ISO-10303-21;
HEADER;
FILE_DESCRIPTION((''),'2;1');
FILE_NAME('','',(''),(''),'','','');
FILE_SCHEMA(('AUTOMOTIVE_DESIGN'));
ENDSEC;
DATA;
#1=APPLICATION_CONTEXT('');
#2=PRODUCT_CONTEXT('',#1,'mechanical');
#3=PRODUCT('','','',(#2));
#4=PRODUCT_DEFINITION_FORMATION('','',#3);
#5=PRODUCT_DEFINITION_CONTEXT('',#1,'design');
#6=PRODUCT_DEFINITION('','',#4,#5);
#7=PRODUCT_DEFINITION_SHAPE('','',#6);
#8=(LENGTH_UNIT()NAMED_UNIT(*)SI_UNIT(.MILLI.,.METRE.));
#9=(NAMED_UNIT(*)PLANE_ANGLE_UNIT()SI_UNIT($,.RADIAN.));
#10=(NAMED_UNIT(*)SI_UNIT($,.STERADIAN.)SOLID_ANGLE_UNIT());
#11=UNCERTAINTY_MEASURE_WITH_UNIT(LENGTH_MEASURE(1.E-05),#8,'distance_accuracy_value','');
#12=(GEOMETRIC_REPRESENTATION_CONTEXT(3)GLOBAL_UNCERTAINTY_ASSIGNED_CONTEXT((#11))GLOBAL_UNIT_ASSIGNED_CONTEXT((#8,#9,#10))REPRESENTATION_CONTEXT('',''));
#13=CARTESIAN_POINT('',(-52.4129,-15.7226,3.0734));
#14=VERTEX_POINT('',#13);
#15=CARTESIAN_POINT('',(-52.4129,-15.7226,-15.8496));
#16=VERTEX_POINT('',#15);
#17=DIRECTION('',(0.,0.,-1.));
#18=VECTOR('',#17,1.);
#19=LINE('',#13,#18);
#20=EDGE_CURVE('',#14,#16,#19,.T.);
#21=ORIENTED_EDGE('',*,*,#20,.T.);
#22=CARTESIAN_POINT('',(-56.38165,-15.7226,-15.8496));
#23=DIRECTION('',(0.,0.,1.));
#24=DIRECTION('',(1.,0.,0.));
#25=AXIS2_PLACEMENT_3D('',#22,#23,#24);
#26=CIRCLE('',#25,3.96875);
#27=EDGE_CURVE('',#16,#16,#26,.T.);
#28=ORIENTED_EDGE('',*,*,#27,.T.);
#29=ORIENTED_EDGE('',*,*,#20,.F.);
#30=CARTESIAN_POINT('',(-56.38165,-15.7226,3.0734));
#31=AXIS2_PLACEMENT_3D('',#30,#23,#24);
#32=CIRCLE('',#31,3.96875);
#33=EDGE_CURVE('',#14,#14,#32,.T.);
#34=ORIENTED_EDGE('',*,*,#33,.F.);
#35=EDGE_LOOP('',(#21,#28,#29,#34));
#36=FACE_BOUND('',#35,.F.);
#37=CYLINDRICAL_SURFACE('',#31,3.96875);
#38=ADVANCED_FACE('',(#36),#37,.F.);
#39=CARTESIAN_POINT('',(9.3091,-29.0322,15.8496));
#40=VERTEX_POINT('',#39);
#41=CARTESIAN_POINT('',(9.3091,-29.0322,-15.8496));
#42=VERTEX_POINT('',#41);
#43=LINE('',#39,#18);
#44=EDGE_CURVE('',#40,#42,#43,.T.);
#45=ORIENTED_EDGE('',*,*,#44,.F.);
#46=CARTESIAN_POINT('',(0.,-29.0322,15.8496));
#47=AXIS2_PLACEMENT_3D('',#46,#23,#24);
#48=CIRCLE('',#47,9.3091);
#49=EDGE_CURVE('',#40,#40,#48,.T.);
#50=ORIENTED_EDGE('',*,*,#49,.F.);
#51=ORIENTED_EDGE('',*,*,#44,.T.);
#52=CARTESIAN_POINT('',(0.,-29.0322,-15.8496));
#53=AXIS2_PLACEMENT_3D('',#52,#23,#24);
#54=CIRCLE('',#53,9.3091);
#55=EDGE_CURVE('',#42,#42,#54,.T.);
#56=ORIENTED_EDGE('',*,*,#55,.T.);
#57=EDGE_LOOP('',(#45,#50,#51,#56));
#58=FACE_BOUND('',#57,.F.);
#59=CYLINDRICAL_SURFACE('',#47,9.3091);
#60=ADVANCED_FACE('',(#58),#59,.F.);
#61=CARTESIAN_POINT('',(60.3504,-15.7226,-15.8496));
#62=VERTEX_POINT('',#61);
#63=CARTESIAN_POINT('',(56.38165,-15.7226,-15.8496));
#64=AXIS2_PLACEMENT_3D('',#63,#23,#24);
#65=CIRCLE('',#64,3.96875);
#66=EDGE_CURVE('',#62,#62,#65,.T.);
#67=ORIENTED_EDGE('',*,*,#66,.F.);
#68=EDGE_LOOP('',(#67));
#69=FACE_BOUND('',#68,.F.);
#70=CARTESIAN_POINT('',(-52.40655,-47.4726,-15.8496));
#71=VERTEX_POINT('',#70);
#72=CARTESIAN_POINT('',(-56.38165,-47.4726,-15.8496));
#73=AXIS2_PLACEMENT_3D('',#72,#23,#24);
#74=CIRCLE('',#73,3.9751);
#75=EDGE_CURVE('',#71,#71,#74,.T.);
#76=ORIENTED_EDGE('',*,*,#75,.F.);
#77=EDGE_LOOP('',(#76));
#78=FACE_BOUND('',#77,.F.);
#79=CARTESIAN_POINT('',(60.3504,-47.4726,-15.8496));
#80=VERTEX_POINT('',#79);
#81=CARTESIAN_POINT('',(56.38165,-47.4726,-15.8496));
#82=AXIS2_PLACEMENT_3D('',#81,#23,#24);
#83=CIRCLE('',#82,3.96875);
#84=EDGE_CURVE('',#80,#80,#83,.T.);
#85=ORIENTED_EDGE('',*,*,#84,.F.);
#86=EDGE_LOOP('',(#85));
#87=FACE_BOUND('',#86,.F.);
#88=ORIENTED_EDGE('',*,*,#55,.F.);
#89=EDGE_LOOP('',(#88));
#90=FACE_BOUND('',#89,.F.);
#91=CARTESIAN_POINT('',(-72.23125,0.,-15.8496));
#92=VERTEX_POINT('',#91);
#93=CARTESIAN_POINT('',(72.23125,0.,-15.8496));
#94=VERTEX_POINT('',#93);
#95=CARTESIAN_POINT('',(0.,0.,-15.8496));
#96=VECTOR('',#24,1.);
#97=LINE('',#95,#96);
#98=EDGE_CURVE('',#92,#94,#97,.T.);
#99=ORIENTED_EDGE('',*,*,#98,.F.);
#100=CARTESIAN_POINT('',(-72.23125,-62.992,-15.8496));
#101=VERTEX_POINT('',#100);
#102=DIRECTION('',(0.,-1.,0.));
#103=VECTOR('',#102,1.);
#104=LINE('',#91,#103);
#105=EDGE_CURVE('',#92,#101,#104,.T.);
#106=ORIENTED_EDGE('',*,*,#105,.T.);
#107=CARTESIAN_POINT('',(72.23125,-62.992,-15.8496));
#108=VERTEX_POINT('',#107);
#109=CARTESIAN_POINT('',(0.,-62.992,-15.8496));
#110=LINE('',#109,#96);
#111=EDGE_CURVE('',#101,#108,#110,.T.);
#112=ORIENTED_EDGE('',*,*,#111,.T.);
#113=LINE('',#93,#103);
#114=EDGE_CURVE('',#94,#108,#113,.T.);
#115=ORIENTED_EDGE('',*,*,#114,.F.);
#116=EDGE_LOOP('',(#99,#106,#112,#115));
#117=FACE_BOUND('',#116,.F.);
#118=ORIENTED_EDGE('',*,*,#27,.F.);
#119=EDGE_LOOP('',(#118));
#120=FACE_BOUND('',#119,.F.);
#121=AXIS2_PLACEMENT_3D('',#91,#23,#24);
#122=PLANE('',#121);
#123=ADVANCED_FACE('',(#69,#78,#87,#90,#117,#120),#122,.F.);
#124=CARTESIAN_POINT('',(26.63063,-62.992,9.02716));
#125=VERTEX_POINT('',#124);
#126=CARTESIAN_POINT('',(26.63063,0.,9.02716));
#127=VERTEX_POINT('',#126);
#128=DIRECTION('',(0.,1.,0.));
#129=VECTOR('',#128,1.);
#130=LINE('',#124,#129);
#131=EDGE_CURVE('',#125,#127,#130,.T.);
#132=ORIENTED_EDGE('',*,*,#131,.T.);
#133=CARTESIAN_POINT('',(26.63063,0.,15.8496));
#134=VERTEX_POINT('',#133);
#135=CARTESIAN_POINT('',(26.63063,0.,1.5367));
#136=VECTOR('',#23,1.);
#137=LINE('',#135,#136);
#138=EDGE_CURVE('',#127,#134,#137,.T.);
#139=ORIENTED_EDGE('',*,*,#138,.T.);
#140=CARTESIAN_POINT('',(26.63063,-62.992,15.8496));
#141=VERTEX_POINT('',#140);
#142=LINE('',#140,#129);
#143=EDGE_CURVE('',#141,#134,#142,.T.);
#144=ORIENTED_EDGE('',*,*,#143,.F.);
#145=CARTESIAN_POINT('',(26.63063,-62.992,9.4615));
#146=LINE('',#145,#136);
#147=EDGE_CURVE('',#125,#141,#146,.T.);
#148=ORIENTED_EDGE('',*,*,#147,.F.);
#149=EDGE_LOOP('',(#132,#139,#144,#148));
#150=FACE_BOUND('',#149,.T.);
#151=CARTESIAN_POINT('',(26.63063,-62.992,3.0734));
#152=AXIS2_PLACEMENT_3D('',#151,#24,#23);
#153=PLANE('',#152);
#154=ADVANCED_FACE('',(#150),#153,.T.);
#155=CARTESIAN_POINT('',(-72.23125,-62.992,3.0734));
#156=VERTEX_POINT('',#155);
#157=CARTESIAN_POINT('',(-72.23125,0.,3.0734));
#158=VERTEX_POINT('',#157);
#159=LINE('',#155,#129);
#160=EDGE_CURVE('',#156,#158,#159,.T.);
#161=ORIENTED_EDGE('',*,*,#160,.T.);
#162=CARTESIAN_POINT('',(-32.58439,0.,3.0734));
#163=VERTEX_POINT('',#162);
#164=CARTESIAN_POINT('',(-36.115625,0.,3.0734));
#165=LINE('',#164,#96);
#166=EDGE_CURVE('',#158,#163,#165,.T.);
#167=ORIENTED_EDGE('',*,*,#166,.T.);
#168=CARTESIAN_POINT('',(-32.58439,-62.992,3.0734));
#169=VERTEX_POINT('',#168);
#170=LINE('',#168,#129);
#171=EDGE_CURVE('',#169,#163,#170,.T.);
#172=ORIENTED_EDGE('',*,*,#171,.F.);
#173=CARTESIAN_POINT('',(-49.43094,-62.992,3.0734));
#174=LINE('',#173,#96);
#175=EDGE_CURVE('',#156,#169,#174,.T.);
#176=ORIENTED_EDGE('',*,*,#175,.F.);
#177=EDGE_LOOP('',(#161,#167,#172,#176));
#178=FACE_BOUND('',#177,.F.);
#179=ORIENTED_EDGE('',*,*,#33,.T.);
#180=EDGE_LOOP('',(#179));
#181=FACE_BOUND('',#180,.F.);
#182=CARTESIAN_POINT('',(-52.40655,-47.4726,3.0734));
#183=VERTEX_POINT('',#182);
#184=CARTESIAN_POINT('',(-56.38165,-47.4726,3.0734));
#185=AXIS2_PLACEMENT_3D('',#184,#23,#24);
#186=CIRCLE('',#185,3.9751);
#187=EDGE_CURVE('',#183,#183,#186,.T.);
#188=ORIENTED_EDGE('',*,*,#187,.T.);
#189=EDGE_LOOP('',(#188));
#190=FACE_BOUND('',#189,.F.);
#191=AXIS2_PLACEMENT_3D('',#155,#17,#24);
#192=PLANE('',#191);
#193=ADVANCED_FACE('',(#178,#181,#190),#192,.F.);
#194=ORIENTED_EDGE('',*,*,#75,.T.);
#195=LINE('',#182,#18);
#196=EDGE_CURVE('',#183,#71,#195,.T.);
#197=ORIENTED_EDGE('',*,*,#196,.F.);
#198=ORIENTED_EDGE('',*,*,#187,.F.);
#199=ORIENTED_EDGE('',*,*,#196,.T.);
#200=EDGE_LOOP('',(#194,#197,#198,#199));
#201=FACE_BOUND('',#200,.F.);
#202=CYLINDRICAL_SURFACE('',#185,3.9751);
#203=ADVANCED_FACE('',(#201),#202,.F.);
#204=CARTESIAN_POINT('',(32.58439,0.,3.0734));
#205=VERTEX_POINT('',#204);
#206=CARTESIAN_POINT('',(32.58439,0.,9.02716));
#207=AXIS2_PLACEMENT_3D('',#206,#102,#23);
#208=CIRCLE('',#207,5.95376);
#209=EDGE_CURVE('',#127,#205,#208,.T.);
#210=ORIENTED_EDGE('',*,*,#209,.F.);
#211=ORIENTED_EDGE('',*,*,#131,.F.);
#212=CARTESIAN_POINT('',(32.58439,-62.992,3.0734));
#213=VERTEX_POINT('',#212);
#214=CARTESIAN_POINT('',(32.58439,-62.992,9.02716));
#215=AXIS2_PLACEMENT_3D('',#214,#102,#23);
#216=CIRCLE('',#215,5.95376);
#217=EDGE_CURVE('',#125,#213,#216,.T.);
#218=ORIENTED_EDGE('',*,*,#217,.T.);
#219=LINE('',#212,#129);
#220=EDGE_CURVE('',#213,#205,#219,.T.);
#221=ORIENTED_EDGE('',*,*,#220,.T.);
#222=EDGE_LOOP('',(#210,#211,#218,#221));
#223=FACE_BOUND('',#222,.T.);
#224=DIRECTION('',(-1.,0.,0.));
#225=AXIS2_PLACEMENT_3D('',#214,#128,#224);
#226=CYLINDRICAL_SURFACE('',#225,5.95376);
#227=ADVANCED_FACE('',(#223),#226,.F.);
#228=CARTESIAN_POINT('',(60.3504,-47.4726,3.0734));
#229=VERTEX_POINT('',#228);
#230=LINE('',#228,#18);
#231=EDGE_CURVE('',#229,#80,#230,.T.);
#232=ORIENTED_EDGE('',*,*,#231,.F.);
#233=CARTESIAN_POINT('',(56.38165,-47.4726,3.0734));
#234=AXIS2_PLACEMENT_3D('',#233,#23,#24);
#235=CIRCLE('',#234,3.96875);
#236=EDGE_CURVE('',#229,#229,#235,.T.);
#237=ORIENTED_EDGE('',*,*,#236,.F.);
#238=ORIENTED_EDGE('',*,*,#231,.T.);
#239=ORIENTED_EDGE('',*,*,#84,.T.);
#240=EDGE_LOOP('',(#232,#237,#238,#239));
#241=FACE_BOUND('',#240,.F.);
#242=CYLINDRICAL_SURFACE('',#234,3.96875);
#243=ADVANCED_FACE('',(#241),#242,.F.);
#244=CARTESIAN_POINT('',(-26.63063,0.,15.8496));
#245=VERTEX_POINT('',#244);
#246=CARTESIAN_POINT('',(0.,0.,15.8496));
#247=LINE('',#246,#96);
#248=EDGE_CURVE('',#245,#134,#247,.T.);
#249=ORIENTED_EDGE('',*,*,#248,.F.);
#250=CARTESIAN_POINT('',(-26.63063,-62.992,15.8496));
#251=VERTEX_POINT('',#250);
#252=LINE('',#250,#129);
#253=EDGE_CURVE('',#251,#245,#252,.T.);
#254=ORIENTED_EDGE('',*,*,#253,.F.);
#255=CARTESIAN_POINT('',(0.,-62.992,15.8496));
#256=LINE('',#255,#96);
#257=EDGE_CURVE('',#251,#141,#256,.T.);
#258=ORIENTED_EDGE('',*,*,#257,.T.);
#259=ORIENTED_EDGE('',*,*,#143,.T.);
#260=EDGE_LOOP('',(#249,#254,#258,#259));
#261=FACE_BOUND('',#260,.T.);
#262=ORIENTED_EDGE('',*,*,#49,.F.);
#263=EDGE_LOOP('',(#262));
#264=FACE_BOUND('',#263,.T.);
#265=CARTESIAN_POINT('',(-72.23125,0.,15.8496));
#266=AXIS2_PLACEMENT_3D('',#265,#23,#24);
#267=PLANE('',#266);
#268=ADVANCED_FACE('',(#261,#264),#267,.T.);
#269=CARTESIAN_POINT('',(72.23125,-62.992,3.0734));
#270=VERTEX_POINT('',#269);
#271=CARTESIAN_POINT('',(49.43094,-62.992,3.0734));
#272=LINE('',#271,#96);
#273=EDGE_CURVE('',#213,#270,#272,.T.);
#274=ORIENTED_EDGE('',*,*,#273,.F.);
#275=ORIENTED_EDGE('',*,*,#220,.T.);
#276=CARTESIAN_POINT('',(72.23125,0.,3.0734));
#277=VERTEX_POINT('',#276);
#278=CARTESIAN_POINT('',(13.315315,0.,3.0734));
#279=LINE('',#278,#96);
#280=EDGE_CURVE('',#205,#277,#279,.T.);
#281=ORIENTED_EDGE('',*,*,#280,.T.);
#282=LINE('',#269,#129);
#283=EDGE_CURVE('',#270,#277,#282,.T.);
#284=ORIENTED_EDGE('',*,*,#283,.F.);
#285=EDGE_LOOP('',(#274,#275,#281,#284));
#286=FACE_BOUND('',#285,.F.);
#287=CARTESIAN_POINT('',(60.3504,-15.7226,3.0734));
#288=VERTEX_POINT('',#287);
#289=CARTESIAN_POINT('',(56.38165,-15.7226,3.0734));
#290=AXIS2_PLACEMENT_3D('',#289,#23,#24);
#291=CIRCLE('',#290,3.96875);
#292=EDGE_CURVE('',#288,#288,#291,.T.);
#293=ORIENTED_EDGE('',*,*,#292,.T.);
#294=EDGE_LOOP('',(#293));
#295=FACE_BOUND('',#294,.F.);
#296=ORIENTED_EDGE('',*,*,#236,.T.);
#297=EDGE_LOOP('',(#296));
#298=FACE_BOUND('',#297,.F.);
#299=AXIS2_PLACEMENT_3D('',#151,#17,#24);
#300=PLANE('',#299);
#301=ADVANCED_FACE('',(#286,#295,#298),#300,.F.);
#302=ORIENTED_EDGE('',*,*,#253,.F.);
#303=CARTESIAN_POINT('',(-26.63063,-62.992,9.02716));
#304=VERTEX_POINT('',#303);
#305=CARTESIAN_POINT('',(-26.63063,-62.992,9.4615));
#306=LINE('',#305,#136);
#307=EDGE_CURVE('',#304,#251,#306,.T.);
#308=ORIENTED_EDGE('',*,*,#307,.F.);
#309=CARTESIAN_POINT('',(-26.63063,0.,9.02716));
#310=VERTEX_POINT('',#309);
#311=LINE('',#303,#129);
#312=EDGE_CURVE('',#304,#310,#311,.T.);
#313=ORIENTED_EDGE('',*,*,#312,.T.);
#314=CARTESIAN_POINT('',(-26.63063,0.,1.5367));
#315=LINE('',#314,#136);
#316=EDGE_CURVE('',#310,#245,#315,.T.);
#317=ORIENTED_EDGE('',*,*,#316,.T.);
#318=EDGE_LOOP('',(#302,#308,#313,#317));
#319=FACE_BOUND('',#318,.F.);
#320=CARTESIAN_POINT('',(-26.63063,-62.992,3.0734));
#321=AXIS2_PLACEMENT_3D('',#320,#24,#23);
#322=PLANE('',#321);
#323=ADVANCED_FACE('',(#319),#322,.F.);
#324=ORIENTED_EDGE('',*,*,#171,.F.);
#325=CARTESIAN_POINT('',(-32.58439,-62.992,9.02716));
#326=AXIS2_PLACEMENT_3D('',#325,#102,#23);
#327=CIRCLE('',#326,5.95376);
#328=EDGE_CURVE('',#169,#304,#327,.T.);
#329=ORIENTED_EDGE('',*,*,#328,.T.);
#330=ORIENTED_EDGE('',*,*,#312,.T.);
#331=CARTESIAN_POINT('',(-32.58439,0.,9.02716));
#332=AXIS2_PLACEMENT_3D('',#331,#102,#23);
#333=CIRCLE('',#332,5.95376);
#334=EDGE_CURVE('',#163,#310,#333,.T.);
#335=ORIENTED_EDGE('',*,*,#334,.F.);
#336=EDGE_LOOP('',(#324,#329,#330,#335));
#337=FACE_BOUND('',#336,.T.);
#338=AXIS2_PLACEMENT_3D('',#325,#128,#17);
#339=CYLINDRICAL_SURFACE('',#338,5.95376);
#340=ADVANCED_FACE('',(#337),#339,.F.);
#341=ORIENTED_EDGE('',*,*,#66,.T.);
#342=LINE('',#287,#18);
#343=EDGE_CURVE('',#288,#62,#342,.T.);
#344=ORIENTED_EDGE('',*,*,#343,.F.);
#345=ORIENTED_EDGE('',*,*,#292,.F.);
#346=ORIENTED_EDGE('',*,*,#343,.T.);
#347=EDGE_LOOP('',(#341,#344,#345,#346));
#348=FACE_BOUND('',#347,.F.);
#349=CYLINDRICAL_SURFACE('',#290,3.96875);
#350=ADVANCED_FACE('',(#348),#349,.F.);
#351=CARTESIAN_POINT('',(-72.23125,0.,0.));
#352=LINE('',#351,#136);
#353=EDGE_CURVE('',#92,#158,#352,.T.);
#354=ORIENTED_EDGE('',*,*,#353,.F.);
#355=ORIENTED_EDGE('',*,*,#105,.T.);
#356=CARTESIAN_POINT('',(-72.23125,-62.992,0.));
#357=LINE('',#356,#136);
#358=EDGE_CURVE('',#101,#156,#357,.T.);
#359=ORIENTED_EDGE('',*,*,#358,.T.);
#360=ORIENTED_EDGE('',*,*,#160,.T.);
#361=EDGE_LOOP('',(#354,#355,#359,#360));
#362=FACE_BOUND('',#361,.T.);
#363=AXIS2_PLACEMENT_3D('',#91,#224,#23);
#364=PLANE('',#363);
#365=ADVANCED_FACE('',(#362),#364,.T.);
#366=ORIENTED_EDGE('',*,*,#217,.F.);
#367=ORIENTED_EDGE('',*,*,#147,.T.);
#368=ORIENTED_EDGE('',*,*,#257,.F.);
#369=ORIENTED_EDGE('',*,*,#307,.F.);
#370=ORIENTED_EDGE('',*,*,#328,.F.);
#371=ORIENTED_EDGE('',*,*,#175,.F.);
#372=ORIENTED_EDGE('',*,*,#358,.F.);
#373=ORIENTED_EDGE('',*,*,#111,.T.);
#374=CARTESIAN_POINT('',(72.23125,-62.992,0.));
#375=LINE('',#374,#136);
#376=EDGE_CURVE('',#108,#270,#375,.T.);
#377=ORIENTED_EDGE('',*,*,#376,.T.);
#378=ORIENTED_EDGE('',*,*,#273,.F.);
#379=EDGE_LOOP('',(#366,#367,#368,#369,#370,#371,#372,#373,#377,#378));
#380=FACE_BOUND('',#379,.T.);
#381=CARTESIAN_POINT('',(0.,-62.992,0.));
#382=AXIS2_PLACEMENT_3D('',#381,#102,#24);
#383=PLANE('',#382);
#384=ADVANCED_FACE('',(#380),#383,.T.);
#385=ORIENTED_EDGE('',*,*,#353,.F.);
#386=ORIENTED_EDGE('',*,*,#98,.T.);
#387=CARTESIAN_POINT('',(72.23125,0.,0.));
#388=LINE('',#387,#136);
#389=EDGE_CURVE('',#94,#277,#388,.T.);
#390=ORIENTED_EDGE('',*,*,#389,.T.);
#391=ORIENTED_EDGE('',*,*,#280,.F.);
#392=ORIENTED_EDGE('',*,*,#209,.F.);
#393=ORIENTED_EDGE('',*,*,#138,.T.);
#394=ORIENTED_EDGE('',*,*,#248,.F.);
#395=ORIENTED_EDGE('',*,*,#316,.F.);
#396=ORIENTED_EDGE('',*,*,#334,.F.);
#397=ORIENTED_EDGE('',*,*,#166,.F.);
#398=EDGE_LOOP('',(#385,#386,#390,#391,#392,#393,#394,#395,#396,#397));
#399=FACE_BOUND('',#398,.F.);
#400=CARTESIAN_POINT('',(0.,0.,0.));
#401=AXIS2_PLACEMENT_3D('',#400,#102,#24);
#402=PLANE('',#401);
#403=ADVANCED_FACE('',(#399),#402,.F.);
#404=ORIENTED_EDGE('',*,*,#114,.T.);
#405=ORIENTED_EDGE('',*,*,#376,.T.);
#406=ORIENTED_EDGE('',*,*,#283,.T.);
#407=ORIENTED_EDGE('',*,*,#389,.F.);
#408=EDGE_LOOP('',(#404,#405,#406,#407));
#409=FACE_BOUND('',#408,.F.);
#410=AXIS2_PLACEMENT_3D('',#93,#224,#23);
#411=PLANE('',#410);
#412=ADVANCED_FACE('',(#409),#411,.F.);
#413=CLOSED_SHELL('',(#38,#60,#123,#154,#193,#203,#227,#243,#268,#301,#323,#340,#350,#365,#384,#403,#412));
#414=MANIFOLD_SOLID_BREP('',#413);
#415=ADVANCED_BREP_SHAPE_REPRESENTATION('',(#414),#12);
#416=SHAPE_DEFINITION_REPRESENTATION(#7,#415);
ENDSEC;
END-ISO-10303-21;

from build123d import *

# Parameters (mm, degrees)
F0_W      = 144.4625
F0_H      = 31.6992
F1_DEPTH  = 62.992
F2_W      = 45.60062
F2_H      = 12.7762
F3_DEPTH  = 62.993
F4_R      = 5.95376
F5_R      = 9.3091
F6_DEPTH  = 31.7002
F7_R      = 3.96875
F7_R_2    = 3.9751
F8_DEPTH  = 18.924
F9_R      = 3.96875
F10_DEPTH = 18.924


with BuildPart() as f1:
    # F0 (on Front) → F1 (new body)
    with BuildSketch(Plane.XZ):
        Rectangle(F0_W, F0_H)
    extrude(amount=F1_DEPTH)

    # F2 (on face) → F3 (cut, through all)
    with BuildSketch(Plane.XZ.offset(62.992)):
        with Locations((-49.43094, 9.4615)):
            Rectangle(F2_W, F2_H)
        with Locations((49.43094, 9.4615)):
            Rectangle(F2_W, F2_H)
    extrude(amount=-F3_DEPTH, mode=Mode.SUBTRACT)

    # F4
    f4_edges = [f1.edges().sort_by_distance(p)[0] for p in [
        (-26.63063, -31.496, 3.0734),
        (26.63063, -31.496, 3.0734),
    ]]
    fillet(f4_edges, radius=F4_R)

    # F5 (on face) → F6 (cut, through all)
    with BuildSketch(Plane.XY.offset(15.8496)):
        with Locations((0, -29.0322)):
            Circle(F5_R)
    extrude(amount=-F6_DEPTH, mode=Mode.SUBTRACT)

    # F7 (on face) → F8 (cut, through all)
    with BuildSketch(Plane.XY.offset(3.0734)):
        with Locations((-56.38165, -15.7226)):
            Circle(F7_R)
        with Locations((-56.38165, -47.4726)):
            Circle(F7_R_2)
    extrude(amount=-F8_DEPTH, mode=Mode.SUBTRACT)

    # F9 (on face) → F10 (cut, through all)
    with BuildSketch(Plane.XY.offset(3.0734)):
        with Locations((56.38165, -15.7226)):
            Circle(F9_R)
        with Locations((56.38165, -47.4726)):
            Circle(F9_R)
    extrude(amount=-F10_DEPTH, mode=Mode.SUBTRACT)


solid = f1.part
